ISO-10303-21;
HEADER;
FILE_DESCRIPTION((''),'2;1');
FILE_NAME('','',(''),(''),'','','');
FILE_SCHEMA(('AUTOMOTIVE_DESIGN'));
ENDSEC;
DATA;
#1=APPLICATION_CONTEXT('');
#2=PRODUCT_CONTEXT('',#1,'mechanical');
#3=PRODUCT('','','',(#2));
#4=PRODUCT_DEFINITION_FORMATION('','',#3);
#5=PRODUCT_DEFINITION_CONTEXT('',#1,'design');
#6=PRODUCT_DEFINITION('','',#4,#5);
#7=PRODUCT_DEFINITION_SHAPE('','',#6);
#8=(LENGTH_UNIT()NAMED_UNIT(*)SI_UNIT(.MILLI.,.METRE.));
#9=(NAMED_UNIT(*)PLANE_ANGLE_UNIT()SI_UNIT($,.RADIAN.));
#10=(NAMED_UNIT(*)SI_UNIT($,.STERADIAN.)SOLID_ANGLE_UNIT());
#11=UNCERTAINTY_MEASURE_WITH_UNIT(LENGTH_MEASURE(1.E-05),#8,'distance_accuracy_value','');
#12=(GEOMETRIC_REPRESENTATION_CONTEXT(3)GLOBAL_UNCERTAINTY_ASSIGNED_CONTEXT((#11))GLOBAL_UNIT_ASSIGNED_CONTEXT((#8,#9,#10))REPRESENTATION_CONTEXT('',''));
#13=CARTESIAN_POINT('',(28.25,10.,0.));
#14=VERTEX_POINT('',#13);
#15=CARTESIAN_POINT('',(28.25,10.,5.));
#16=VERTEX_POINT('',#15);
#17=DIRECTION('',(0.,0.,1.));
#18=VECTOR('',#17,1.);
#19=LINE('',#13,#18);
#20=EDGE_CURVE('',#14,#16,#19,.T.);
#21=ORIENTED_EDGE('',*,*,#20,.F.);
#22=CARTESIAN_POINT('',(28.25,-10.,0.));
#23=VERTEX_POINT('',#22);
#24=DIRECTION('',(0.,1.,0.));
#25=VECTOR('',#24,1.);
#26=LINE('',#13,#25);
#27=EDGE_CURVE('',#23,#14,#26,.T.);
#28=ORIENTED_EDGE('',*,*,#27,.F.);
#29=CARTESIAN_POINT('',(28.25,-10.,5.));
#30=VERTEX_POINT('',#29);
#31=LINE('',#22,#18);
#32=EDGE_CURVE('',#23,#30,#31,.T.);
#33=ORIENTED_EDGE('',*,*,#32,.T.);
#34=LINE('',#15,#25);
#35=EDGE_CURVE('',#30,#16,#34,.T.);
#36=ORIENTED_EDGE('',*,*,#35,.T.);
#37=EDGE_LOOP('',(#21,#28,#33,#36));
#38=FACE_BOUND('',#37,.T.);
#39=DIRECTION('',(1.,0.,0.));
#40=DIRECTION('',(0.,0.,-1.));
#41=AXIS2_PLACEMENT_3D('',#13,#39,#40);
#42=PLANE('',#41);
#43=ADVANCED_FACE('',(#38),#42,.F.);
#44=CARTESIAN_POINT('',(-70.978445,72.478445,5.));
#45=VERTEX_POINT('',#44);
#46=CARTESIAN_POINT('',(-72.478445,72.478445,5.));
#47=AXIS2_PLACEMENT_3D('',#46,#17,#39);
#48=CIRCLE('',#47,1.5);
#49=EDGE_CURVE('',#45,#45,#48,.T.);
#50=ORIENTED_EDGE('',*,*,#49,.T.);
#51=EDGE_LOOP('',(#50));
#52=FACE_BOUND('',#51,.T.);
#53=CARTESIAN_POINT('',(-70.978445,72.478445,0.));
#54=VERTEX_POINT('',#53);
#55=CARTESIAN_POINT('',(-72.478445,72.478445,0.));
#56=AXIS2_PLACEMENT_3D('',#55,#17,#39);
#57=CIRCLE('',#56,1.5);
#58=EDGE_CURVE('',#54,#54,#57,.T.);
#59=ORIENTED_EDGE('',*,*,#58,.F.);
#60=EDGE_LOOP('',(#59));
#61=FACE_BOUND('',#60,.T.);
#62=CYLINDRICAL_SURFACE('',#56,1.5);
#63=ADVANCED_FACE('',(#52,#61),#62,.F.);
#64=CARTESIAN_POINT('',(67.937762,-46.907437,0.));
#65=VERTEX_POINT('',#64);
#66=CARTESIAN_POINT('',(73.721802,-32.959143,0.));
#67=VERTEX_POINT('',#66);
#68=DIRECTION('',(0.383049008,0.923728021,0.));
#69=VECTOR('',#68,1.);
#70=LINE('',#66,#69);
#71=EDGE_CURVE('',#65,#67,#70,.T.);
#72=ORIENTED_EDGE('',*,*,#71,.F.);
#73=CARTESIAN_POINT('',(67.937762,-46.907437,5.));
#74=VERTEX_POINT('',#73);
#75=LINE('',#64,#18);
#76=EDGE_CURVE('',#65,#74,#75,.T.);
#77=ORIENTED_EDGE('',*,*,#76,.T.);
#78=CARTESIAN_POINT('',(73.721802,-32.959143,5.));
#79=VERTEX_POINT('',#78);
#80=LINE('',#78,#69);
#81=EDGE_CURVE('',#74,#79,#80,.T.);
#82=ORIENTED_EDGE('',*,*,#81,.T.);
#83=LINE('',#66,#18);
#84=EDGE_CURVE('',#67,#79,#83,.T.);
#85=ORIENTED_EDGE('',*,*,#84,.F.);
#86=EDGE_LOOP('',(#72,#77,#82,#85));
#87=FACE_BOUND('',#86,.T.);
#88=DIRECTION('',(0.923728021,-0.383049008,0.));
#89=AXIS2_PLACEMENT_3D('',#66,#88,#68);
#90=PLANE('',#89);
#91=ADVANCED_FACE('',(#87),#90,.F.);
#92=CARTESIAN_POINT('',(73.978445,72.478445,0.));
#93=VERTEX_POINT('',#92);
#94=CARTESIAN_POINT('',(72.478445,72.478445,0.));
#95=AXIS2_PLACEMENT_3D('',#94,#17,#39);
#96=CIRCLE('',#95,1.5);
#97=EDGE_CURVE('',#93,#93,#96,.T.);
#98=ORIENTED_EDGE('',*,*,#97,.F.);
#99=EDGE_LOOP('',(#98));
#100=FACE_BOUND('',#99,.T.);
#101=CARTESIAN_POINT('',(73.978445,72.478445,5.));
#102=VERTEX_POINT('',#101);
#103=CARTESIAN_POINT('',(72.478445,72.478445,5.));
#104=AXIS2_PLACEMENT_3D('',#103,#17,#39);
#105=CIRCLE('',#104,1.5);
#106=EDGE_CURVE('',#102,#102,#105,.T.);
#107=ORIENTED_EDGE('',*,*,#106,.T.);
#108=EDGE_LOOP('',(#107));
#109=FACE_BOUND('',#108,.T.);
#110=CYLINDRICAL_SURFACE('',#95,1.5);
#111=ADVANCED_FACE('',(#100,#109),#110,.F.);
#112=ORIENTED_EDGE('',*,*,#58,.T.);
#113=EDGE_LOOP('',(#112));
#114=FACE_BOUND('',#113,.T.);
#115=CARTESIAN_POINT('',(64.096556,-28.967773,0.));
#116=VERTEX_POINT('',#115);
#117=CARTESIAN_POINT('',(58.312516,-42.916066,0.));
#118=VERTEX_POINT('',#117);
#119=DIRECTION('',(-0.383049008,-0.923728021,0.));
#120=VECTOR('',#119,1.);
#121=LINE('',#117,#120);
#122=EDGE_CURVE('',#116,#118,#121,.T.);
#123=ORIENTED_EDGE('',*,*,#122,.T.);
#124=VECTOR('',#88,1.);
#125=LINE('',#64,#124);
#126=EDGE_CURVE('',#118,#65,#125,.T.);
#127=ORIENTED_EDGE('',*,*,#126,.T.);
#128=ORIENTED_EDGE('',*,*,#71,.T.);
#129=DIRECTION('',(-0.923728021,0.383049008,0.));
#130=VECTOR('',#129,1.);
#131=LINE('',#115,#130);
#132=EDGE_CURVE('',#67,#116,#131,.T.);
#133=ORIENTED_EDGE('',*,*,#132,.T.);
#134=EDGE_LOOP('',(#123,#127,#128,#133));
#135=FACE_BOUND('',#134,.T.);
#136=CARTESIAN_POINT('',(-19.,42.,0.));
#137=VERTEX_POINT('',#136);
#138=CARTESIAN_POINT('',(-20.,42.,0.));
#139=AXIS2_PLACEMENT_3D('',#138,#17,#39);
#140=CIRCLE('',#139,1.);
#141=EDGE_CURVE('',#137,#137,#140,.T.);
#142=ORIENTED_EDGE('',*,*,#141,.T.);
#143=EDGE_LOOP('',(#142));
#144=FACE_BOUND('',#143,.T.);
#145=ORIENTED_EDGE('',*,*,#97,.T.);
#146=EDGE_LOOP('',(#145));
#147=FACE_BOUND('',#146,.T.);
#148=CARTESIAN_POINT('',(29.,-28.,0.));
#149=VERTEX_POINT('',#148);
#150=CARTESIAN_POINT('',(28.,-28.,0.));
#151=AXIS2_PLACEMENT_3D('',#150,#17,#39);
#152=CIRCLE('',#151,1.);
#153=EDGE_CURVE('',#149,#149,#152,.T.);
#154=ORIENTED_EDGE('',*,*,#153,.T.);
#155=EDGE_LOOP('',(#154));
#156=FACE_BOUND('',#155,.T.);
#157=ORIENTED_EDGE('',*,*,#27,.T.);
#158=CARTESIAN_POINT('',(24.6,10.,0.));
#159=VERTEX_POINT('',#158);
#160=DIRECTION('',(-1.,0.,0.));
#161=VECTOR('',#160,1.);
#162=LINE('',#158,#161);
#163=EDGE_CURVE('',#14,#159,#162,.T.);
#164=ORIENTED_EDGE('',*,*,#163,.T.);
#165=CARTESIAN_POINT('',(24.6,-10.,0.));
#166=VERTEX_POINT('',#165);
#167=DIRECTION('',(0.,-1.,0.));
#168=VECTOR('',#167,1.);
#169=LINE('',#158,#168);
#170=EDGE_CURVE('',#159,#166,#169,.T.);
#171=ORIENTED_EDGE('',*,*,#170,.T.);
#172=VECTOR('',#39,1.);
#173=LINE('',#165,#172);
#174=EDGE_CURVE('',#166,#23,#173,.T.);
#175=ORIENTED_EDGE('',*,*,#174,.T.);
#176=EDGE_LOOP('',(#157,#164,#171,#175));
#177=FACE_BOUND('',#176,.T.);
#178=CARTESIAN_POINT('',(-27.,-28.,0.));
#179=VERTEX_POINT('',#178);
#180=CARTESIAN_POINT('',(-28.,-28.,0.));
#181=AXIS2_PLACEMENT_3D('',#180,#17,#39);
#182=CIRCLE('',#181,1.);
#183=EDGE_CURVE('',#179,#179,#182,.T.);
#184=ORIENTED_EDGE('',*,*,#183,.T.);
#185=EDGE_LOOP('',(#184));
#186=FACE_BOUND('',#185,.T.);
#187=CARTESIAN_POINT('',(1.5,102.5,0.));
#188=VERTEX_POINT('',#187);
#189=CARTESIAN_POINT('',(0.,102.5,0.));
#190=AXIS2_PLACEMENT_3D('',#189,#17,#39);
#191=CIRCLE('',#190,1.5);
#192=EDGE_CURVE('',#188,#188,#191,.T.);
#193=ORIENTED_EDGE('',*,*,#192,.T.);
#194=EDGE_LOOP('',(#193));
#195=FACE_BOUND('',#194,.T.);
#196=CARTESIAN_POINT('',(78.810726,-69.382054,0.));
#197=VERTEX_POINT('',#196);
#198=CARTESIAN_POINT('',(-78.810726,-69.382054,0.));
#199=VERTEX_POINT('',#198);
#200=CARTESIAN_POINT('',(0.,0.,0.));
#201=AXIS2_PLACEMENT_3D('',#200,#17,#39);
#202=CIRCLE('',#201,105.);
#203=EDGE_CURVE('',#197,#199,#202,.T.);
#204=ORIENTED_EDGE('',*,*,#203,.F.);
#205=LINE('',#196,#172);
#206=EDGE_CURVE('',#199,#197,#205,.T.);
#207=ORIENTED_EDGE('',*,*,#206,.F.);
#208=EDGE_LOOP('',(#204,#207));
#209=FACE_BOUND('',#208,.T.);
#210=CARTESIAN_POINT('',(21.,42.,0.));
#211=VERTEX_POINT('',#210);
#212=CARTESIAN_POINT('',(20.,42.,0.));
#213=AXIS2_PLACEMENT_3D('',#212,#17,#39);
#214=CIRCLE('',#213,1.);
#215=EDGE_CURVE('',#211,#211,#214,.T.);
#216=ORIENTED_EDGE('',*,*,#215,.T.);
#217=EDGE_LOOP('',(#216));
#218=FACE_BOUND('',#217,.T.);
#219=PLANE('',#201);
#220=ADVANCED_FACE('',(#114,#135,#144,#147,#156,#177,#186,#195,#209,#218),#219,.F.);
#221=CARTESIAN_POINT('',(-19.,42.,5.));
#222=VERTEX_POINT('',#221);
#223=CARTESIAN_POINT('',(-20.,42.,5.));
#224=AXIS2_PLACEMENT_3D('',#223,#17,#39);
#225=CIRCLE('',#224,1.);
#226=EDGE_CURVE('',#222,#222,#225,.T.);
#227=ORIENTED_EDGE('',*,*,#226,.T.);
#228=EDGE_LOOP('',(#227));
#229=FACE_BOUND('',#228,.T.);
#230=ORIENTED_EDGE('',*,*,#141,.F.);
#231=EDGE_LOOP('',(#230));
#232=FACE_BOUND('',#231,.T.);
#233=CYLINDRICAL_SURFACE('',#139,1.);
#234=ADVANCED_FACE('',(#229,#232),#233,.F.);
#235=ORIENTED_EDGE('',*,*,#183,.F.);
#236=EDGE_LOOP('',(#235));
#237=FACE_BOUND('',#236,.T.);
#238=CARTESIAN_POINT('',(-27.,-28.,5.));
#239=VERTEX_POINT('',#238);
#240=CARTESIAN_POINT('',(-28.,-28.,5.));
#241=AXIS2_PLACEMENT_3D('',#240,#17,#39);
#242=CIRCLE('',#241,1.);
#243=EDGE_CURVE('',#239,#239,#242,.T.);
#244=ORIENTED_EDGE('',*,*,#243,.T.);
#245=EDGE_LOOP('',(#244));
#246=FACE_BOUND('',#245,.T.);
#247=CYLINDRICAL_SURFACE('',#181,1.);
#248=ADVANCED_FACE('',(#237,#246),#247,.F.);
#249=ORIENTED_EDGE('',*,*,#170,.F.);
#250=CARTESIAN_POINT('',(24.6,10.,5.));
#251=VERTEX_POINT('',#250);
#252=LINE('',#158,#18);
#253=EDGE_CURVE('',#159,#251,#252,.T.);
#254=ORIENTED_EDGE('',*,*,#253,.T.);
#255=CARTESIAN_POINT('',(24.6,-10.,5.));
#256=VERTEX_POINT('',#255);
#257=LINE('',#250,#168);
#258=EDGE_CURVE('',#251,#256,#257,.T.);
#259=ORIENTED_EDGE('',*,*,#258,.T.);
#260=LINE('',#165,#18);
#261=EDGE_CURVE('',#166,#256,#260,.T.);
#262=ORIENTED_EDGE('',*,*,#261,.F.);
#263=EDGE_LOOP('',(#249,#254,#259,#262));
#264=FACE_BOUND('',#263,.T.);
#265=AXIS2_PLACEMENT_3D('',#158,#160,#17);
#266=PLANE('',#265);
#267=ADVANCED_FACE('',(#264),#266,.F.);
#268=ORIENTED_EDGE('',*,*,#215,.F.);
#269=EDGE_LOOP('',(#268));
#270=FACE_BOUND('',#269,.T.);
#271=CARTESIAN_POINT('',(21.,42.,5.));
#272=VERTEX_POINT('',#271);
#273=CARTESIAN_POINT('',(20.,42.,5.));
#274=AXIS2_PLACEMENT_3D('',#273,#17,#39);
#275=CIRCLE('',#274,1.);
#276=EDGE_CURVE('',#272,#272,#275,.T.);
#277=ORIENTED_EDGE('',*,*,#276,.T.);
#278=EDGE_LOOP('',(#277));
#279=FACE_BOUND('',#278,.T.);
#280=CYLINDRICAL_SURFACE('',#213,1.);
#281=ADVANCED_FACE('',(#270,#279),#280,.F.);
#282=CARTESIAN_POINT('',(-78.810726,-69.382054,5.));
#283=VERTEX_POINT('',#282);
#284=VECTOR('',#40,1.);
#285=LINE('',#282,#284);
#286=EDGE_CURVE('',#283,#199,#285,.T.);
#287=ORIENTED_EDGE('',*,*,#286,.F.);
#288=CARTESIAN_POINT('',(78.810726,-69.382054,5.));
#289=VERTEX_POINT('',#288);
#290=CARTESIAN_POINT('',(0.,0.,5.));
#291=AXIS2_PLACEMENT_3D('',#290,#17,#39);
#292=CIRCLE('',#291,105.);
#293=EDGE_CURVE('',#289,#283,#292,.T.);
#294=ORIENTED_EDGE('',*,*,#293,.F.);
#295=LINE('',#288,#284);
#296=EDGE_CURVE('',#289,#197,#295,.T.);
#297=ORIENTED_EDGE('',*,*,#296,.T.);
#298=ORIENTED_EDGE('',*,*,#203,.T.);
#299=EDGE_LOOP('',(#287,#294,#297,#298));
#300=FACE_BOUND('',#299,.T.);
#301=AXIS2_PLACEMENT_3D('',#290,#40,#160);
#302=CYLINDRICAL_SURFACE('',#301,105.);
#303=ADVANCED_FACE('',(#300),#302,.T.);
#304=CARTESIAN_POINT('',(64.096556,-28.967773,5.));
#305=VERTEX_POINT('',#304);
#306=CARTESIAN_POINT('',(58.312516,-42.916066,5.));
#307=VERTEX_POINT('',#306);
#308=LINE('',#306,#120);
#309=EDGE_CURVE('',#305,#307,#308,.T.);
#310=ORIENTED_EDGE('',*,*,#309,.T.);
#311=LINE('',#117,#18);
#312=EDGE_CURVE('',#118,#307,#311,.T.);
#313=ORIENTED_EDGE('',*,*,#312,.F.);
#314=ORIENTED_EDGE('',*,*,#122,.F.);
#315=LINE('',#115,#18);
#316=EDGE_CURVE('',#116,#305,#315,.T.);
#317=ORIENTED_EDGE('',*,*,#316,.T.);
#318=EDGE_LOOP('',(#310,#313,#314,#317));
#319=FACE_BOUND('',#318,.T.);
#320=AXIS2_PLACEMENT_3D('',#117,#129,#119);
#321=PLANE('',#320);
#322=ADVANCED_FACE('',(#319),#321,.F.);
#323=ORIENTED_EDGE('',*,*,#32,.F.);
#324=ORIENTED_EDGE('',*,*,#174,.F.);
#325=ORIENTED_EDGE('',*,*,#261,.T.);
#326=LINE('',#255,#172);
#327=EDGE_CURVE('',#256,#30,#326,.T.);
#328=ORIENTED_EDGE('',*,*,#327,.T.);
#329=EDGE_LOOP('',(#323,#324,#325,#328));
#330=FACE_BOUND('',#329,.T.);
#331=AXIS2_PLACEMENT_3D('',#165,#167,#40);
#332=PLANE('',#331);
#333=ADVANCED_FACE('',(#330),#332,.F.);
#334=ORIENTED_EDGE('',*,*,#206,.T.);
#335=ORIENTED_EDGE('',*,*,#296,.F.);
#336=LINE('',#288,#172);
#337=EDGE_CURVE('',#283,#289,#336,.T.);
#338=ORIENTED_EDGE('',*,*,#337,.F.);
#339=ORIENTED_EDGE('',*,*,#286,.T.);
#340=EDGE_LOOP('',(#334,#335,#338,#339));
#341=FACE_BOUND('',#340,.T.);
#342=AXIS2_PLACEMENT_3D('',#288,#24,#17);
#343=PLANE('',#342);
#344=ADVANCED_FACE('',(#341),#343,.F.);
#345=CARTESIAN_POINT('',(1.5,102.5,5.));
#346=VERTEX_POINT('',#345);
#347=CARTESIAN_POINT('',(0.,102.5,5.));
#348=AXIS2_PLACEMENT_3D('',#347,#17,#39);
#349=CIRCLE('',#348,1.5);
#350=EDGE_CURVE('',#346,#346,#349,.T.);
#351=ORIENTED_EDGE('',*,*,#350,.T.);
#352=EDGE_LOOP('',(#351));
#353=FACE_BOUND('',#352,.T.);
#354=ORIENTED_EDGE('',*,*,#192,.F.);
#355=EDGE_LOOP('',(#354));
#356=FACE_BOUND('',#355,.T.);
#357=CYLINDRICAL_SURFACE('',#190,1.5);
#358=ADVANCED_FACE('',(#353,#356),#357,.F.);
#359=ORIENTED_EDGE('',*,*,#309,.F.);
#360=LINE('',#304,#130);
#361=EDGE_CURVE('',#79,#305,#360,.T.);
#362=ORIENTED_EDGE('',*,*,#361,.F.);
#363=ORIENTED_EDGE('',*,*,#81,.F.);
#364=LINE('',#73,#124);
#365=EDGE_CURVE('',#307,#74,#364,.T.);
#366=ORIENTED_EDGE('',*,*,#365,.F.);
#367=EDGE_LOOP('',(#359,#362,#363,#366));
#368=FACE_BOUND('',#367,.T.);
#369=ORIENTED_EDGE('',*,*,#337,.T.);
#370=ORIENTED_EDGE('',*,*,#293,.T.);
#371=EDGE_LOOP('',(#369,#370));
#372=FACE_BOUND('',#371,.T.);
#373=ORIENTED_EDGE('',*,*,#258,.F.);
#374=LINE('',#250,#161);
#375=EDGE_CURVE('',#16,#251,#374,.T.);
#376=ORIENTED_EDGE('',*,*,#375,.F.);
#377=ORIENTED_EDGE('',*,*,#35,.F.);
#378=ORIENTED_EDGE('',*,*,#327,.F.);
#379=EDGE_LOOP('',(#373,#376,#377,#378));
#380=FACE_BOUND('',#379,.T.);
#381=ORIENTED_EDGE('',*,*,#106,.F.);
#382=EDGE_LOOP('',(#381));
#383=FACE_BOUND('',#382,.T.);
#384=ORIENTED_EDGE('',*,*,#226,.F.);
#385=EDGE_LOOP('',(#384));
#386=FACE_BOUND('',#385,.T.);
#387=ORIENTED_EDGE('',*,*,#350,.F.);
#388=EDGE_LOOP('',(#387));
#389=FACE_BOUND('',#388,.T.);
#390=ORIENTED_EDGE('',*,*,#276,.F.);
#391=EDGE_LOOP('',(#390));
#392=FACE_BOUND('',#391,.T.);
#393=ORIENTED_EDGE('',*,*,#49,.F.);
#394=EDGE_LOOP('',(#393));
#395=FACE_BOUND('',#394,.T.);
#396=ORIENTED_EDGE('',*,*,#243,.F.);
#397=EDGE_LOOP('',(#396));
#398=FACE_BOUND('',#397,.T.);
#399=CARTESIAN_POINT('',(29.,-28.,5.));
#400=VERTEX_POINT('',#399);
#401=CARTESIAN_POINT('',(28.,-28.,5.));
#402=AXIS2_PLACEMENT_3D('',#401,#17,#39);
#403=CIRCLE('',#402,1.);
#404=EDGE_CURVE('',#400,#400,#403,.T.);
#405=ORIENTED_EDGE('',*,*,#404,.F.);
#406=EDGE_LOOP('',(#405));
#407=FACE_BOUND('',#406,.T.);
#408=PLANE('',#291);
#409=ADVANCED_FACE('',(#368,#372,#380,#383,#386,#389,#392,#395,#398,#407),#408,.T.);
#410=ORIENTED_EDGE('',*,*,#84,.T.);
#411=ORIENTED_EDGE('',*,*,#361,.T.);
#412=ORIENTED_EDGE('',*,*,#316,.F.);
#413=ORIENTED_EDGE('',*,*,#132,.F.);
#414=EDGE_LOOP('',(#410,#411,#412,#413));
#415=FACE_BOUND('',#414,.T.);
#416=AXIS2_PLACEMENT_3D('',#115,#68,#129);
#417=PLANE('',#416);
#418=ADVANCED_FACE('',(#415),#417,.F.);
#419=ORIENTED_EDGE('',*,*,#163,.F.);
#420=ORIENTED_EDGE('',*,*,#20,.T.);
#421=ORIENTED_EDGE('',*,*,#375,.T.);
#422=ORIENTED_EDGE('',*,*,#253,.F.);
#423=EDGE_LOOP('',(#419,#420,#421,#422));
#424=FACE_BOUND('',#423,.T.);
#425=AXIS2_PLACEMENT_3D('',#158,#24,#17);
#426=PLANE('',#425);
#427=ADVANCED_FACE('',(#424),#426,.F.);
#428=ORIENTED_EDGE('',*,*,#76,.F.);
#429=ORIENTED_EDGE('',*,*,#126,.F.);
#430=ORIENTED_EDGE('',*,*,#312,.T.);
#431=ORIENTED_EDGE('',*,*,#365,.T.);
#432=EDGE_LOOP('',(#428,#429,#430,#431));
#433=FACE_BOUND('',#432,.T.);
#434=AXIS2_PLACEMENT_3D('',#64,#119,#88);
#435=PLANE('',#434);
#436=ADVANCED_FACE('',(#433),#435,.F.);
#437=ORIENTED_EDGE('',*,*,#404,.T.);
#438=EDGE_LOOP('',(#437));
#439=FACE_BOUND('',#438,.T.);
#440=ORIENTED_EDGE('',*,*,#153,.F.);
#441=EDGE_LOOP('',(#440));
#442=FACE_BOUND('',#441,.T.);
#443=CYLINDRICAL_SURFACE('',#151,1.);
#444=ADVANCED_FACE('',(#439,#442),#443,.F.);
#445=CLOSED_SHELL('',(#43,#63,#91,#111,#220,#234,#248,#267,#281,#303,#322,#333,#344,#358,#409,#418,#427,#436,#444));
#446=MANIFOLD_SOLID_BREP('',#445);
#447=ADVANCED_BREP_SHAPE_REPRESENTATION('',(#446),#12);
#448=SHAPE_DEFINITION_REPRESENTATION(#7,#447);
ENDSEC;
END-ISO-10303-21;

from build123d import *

# Parameters (mm, degrees)
BOSS_EXTRU_1_DEPTH      = 5
ESQUISSE2_R             = 1.5
ENL_V_MAT_EXTRU_1_DEPTH = 5
ESQUISSE3_R             = 1
ENL_V_MAT_EXTRU_2_DEPTH = 149.576579581
ENL_V_MAT_EXTRU_3_DEPTH = 149.576579581
ESQUISSE5_W             = 3.649999998
ESQUISSE5_H             = 20
ENL_V_MAT_EXTRU_4_DEPTH = 149.576579581


with BuildPart() as part:
    # Esquisse1 → Boss.-Extru.1 (new body)
    with BuildSketch(Plane.XY):
        with BuildLine():
            Line((78.81072608, -69.38205427), (-78.81072608, -69.38205427))
            ThreePointArc((-78.81072608, -69.38205427), (0, 105), (78.81072608, -69.38205427))
        make_face()
    extrude(amount=BOSS_EXTRU_1_DEPTH)

    # Esquisse2 → Enlèv. mat.-Extru.1 (cut)
    with BuildSketch(Plane.XY.offset(5)):
        with Locations((0, 102.5)):
            Circle(ESQUISSE2_R)
        with Locations((72.478445072, 72.478445072)):
            Circle(ESQUISSE2_R)
        with Locations((-72.478445072, 72.478445072)):
            Circle(ESQUISSE2_R)
    extrude(amount=-ENL_V_MAT_EXTRU_1_DEPTH, mode=Mode.SUBTRACT)

    # Esquisse3 → Enlèv. mat.-Extru.2 (cut, through all)
    with BuildSketch(Plane.XY.offset(5)):
        with Locations((20.000000004, 41.999999998)):
            Circle(ESQUISSE3_R)
        with Locations((-19.999999996, 42.000000002)):
            Circle(ESQUISSE3_R)
        with Locations((-28.000000003, -27.999999997)):
            Circle(ESQUISSE3_R)
        with Locations((27.999999997, -28.000000003)):
            Circle(ESQUISSE3_R)
    extrude(amount=-ENL_V_MAT_EXTRU_2_DEPTH, mode=Mode.SUBTRACT)

    # Esquisse4 → Enlèv. mat.-Extru.3 (cut, through all)
    with BuildSketch(Plane.XY.offset(5)):
        Polygon((58.312515902, -42.91606585), (64.096555924, -28.967772728), (73.721801907, -32.959143392), (67.937761885, -46.907436514), align=None)
    extrude(amount=-ENL_V_MAT_EXTRU_3_DEPTH, mode=Mode.SUBTRACT)

    # Esquisse5 → Enlèv. mat.-Extru.4 (cut, through all)
    with BuildSketch(Plane.XY.offset(5)):
        with Locations((26.425, -3e-09)):
            Rectangle(ESQUISSE5_W, ESQUISSE5_H)
    extrude(amount=-ENL_V_MAT_EXTRU_4_DEPTH, mode=Mode.SUBTRACT)


solid = part.part
